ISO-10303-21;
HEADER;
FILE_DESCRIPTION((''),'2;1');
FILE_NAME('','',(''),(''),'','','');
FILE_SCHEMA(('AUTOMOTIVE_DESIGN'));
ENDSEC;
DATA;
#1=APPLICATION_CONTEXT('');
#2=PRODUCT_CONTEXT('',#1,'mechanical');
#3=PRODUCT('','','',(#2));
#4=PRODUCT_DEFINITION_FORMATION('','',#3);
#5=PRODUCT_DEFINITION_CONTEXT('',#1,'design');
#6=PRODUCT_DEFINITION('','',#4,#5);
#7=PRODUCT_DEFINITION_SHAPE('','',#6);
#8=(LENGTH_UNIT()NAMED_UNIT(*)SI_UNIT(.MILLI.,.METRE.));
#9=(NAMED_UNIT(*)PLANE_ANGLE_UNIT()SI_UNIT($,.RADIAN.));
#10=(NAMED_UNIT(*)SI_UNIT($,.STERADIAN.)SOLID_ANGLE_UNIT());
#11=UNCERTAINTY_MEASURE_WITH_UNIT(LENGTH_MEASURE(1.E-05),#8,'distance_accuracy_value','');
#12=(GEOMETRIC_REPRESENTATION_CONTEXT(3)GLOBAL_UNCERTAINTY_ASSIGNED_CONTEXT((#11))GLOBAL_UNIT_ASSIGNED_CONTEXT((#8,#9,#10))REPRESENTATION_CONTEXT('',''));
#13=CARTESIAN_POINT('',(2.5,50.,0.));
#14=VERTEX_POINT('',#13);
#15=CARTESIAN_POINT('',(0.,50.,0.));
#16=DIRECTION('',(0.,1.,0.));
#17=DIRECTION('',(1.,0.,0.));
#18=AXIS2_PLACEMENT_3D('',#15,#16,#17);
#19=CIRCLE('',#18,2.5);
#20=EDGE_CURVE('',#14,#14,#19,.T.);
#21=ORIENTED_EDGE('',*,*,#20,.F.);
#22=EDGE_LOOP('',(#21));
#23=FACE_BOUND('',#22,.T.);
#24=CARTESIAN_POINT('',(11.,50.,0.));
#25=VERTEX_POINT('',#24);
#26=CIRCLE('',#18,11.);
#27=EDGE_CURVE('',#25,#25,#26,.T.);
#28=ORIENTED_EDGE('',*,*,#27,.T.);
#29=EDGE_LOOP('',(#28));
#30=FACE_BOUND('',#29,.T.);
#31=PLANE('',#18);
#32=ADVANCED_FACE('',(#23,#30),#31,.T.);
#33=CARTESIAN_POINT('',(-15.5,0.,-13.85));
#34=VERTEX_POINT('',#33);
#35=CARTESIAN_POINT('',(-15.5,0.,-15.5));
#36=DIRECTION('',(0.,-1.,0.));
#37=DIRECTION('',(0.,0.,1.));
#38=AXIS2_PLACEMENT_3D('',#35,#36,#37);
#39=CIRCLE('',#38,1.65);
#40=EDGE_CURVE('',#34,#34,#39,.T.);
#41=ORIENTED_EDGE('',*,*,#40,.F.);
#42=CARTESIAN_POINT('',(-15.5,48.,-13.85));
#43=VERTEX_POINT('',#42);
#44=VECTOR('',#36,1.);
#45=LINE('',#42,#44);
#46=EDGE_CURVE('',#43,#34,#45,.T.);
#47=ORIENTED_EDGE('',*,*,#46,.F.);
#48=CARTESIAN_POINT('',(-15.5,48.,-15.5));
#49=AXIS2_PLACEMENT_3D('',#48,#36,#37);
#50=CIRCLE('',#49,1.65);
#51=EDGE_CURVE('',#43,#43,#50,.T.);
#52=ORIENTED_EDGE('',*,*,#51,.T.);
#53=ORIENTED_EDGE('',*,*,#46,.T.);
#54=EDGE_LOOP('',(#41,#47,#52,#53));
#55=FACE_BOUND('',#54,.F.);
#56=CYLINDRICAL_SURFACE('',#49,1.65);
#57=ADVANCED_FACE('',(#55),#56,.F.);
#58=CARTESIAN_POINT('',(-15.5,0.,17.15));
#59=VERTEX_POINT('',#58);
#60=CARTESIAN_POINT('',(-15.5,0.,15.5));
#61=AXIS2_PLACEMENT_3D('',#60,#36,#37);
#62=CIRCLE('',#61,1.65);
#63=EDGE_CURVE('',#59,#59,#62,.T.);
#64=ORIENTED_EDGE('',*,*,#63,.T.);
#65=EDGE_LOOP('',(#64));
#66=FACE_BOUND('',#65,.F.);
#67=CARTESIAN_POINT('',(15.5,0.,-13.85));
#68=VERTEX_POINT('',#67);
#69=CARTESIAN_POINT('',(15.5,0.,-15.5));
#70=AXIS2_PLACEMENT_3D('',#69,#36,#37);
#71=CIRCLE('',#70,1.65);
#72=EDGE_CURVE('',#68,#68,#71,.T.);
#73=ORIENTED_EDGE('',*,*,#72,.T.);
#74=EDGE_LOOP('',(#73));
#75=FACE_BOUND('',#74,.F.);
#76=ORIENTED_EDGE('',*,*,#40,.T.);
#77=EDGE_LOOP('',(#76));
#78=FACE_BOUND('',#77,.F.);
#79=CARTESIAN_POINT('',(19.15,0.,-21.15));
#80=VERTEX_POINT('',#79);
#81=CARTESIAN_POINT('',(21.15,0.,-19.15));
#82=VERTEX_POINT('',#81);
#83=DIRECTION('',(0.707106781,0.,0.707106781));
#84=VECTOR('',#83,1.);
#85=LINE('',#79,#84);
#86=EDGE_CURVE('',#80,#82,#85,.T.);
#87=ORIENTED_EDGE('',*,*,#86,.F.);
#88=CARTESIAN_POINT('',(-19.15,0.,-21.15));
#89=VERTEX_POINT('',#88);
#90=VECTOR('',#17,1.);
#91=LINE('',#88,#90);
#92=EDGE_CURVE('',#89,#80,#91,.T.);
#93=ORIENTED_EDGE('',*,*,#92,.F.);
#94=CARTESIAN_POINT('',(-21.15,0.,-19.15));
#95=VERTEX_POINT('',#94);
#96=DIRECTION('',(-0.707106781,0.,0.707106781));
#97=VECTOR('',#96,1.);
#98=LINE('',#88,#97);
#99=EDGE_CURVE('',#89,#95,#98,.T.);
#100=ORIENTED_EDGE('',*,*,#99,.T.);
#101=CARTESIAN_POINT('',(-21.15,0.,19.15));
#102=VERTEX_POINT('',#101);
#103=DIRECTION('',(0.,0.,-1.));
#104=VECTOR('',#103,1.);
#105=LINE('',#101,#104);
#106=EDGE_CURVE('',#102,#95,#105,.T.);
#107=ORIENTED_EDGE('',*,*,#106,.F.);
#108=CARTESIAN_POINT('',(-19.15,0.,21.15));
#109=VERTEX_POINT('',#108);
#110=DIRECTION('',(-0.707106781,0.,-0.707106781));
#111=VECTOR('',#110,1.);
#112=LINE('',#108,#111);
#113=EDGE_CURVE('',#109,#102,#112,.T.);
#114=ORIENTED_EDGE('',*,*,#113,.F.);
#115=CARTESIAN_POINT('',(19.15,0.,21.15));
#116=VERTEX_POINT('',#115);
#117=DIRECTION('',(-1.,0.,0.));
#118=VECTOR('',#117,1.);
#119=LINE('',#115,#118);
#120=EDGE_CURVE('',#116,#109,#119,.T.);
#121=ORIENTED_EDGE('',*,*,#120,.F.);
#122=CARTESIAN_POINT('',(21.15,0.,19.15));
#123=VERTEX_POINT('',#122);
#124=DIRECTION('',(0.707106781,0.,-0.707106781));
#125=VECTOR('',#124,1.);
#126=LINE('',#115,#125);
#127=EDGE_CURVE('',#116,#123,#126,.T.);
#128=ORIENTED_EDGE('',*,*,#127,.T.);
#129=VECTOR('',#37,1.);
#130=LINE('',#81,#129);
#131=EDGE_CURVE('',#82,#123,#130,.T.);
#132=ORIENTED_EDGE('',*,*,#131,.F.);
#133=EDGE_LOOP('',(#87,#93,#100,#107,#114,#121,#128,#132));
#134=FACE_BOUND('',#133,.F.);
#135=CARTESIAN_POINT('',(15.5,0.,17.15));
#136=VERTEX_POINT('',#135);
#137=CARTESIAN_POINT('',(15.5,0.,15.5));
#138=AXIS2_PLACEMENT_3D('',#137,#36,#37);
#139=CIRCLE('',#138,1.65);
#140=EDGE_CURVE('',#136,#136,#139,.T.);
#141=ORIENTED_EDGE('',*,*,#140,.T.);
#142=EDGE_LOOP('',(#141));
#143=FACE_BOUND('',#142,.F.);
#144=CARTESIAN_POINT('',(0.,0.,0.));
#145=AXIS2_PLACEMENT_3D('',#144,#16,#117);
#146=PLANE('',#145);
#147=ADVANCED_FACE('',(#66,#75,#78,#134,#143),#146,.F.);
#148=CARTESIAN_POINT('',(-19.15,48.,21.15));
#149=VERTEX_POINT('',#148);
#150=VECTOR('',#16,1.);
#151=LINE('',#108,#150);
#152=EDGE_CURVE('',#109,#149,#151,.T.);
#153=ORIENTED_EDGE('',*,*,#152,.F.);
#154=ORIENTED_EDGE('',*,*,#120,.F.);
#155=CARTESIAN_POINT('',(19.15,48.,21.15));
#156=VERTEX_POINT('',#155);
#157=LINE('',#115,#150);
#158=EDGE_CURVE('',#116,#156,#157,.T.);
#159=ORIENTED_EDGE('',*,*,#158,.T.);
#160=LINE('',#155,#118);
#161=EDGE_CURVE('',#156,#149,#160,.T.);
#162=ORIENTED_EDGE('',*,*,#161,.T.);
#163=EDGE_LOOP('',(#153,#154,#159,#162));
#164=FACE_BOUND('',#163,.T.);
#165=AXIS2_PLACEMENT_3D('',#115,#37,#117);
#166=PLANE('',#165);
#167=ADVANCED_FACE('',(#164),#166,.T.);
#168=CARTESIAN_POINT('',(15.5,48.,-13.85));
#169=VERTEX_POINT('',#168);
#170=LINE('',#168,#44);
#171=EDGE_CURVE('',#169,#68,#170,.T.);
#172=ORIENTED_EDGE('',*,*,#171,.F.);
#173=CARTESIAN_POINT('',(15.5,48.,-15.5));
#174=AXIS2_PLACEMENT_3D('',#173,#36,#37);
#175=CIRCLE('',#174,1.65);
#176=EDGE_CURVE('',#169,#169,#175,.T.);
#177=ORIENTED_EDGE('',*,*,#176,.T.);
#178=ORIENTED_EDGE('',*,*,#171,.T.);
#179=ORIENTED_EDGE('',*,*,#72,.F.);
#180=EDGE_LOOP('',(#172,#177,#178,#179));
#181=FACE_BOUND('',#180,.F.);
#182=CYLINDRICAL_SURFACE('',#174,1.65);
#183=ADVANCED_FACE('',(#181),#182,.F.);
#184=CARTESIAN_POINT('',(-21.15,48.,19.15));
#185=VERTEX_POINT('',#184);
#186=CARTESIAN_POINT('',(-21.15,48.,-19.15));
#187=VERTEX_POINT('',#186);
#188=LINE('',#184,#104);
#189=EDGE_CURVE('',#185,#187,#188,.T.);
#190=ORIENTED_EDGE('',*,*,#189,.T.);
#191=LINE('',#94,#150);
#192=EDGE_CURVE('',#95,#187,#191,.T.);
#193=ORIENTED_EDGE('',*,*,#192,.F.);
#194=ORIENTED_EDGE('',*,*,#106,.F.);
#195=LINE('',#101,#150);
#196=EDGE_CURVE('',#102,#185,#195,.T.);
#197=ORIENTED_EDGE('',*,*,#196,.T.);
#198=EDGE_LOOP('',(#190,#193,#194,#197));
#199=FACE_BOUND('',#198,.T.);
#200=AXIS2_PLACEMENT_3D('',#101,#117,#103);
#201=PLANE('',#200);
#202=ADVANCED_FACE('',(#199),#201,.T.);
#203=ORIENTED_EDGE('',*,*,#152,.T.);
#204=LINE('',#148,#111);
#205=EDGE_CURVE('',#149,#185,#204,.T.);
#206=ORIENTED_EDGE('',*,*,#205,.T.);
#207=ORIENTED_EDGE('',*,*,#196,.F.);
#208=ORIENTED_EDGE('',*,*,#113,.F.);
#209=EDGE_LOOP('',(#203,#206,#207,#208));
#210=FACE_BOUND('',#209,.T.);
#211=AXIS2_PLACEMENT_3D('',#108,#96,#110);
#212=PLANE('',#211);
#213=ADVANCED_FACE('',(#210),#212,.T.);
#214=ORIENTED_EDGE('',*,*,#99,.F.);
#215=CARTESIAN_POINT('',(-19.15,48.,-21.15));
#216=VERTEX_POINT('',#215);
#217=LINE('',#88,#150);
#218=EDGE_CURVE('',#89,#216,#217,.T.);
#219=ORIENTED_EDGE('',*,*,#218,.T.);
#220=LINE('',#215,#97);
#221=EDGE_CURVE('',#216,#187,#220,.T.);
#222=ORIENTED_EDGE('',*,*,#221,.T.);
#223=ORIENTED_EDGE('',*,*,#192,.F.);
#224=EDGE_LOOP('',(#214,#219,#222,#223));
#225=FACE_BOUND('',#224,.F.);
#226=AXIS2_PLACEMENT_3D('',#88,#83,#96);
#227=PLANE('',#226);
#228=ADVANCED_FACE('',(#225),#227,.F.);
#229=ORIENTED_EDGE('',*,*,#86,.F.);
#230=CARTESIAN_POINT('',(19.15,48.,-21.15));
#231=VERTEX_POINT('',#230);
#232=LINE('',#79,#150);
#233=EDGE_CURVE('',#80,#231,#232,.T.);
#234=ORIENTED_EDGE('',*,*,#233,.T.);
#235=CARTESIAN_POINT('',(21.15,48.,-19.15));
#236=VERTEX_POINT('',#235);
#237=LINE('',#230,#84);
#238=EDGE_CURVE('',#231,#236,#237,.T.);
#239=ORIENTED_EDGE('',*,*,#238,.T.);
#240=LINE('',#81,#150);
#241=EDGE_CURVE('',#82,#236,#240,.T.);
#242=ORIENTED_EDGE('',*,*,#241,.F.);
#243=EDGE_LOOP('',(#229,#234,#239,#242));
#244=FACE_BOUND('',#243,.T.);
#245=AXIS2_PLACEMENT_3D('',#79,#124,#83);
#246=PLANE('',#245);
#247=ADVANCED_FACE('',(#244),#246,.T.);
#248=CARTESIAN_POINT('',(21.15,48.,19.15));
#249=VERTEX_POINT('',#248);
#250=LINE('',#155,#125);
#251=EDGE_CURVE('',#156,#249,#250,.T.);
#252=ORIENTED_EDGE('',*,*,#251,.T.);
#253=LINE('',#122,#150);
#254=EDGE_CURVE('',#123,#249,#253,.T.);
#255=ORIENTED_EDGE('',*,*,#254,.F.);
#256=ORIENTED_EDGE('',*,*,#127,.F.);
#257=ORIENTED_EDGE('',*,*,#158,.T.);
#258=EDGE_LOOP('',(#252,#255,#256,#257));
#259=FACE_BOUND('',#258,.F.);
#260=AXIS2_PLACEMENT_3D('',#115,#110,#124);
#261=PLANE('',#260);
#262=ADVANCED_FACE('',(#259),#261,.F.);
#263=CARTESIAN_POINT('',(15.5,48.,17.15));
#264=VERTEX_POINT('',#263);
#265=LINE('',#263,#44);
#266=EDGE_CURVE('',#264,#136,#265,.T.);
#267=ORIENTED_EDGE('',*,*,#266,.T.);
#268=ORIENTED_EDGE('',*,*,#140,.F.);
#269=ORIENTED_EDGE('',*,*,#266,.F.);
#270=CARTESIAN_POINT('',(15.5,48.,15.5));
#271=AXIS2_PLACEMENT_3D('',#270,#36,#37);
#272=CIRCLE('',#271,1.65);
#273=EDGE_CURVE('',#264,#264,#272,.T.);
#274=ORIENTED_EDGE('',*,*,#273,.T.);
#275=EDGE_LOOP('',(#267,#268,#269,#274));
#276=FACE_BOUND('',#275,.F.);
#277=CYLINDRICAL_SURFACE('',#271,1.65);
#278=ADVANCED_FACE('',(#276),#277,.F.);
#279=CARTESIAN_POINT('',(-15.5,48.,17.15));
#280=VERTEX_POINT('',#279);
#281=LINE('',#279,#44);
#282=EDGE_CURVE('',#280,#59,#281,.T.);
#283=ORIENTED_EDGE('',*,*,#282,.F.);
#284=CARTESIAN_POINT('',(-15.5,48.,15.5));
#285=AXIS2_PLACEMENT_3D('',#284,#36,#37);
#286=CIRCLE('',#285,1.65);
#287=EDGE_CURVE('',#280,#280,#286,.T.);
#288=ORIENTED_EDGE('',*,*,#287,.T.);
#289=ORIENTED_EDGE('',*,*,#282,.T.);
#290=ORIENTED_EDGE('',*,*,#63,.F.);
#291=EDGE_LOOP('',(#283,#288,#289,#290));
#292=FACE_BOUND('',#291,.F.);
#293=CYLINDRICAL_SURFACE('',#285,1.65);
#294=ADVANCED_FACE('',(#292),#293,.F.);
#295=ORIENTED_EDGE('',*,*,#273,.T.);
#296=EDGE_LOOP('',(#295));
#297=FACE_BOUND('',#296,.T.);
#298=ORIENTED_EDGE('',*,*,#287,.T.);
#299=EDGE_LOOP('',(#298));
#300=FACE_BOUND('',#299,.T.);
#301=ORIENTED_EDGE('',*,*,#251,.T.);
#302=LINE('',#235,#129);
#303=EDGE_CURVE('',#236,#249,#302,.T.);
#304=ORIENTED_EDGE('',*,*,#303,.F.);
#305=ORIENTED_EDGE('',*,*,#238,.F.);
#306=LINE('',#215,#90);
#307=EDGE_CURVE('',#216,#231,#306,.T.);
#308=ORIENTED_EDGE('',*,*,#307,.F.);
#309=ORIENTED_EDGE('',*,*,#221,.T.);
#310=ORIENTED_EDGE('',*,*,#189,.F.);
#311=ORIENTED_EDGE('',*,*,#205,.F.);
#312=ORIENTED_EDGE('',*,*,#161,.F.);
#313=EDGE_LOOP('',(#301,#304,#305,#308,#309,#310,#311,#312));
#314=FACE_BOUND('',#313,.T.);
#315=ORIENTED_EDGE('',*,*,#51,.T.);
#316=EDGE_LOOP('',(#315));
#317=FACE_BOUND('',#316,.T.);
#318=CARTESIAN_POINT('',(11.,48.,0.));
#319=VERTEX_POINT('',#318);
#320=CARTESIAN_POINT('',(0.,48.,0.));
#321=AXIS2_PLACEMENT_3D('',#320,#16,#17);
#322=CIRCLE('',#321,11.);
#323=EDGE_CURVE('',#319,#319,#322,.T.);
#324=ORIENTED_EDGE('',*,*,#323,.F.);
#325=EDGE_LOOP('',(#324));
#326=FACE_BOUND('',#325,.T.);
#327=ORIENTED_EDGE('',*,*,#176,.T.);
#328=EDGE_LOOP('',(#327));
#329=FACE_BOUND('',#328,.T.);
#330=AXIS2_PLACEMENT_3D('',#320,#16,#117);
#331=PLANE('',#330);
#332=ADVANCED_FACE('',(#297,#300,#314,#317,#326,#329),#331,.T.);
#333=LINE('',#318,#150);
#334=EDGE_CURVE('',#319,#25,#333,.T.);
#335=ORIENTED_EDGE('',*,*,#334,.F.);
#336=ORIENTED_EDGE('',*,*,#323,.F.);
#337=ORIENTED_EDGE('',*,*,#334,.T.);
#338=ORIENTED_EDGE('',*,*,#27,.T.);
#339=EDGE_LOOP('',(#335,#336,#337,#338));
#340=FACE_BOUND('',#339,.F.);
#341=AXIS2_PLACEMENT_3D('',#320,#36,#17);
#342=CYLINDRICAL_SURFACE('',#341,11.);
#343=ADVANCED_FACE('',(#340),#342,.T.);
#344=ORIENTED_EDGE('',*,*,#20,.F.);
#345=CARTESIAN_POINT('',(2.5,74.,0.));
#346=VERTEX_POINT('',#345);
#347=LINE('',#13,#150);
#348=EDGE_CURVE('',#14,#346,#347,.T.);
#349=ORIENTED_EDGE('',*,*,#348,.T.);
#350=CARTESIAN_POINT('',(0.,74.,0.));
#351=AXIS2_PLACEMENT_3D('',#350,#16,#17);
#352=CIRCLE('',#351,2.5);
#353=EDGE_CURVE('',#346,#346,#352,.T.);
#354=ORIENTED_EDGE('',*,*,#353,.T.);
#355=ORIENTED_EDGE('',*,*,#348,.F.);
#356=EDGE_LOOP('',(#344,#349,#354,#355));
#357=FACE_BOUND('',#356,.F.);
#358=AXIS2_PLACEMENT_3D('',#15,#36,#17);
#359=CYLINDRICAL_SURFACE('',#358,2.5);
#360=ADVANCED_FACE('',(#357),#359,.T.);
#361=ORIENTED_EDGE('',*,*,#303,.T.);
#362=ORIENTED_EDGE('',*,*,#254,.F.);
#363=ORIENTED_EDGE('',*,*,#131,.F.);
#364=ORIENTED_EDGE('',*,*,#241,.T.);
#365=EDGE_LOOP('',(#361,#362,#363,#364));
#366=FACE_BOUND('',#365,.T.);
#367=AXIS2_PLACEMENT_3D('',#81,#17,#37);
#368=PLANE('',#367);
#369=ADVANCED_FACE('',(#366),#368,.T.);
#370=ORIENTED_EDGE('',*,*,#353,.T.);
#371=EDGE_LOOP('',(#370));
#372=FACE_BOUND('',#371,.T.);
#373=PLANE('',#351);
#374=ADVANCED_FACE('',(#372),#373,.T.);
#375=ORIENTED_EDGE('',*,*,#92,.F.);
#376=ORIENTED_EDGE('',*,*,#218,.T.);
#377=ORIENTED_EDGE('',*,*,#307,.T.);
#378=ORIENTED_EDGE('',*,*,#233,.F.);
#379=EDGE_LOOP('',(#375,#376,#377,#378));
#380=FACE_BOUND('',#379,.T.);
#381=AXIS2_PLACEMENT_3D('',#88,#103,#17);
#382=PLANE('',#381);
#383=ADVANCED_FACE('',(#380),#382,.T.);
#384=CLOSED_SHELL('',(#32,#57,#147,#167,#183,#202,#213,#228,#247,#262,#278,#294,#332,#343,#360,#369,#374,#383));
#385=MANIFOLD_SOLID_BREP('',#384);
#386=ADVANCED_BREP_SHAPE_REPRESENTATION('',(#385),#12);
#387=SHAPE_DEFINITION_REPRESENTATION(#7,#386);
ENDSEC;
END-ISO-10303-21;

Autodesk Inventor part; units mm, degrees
ref_plane "YZ Plane" through (0, 0, 0) normal (1, 0, 0) x (0, 1, 0)
ref_plane "XZ Plane" through (0, 0, 0) normal (0, 1, 0) x (-1, 0, 0)
ref_plane "XY Plane" through (0, 0, 0) normal (0, 0, 1) x (1, 0, 0)
sketch "Sketch1" plane through (0, 0, 0) normal (0, 1, 0) x (-1, 0, 0)
  line L0 (19.15, -21.15) -> (-19.15, -21.15)
  line L1 (-21.15, -19.15) -> (-21.15, 19.15)
  line L2 (-19.15, 21.15) -> (19.15, 21.15)
  line L3 (21.15, 19.15) -> (21.15, -19.15)
  line L4 (21.15, -21.15) -> (-21.15, 21.15) construction
  line L5 (-21.15, -21.15) -> (21.15, 21.15) construction
  line L6 (-19.15, 21.15) -> (-21.15, 19.15)
  line L7 (-19.15, -21.15) -> (-21.15, -19.15)
  line L8 (19.15, -21.15) -> (21.15, -19.15)
  line L9 (19.15, 21.15) -> (21.15, 19.15)
  point P0 (0, 0)
  dimension "d0" = 42.3
  dimension "d1" = 42.3
  dimension "d2" = 2
  dimension "d3" = 2
  dimension "d4" = 2
  dimension "d5" = 2
  dimension "d6" = 2
  dimension "d7" = 2
  dimension "d8" = 2
  dimension "d9" = 2
extrude "Extrusion1" add sketch "Sketch1" along normal blind 48
sketch "Sketch3" plane through (0, 48, 0) normal (0, 1, 0) x (1, 0, 0)
  line L0 (15.5, -15.5) -> (-15.5, -15.5)
  line L1 (-15.5, -15.5) -> (-15.5, 15.5)
  line L2 (-15.5, 15.5) -> (15.5, 15.5)
  line L3 (15.5, 15.5) -> (15.5, -15.5)
  line L4 (15.5, -15.5) -> (-15.5, 15.5) construction
  line L5 (-15.5, -15.5) -> (15.5, 15.5) construction
  circle A0 centre (-15.5, 15.5) radius 1.65
  circle A1 centre (15.5, 15.5) radius 1.65
  circle A2 centre (-15.5, -15.5) radius 1.65
  circle A3 centre (15.5, -15.5) radius 1.65
  point P0 (0, 0)
  dimension "d15" = 31
  dimension "d16" = 31
  dimension "d17" = 3.3
  dimension "d18" = 3.3
  dimension "d19" = 3.3
  dimension "d20" = 3.3
hole "Hole1" at (15.5, 48, -15.5) at (15.5, 48, 15.5) at (-15.5, 48, 15.5) at (-15.5, 48, -15.5) direction (0, -1, 0) diameter 3.3 end through all
sketch "Sketch2" plane through (0, 48, 0) normal (0, 1, 0) x (1, 0, 0)
  circle A0 centre (0, 0) radius 11
  dimension "d12" = 22
extrude "Extrusion2" add sketch "Sketch2" along normal blind 2
sketch "Sketch4" plane through (0, 50, 0) normal (0, 1, 0) x (1, 0, 0)
  circle A0 centre (0, 0) radius 11 projected
  circle A1 centre (0, 0) radius 2.5
  dimension "d28" = 5
extrude "Extrusion3" add sketch "Sketch4" along normal blind 24 contours A1
equation "\"d3\" = d2"
equation "\"d4\" = d2"
equation "\"d5\" = d4"
equation "\"d6\" = d2"
equation "\"d7\" = d6"
equation "\"d8\" = d2"
equation "\"d9\" = d8"
properties part number "nema17"
